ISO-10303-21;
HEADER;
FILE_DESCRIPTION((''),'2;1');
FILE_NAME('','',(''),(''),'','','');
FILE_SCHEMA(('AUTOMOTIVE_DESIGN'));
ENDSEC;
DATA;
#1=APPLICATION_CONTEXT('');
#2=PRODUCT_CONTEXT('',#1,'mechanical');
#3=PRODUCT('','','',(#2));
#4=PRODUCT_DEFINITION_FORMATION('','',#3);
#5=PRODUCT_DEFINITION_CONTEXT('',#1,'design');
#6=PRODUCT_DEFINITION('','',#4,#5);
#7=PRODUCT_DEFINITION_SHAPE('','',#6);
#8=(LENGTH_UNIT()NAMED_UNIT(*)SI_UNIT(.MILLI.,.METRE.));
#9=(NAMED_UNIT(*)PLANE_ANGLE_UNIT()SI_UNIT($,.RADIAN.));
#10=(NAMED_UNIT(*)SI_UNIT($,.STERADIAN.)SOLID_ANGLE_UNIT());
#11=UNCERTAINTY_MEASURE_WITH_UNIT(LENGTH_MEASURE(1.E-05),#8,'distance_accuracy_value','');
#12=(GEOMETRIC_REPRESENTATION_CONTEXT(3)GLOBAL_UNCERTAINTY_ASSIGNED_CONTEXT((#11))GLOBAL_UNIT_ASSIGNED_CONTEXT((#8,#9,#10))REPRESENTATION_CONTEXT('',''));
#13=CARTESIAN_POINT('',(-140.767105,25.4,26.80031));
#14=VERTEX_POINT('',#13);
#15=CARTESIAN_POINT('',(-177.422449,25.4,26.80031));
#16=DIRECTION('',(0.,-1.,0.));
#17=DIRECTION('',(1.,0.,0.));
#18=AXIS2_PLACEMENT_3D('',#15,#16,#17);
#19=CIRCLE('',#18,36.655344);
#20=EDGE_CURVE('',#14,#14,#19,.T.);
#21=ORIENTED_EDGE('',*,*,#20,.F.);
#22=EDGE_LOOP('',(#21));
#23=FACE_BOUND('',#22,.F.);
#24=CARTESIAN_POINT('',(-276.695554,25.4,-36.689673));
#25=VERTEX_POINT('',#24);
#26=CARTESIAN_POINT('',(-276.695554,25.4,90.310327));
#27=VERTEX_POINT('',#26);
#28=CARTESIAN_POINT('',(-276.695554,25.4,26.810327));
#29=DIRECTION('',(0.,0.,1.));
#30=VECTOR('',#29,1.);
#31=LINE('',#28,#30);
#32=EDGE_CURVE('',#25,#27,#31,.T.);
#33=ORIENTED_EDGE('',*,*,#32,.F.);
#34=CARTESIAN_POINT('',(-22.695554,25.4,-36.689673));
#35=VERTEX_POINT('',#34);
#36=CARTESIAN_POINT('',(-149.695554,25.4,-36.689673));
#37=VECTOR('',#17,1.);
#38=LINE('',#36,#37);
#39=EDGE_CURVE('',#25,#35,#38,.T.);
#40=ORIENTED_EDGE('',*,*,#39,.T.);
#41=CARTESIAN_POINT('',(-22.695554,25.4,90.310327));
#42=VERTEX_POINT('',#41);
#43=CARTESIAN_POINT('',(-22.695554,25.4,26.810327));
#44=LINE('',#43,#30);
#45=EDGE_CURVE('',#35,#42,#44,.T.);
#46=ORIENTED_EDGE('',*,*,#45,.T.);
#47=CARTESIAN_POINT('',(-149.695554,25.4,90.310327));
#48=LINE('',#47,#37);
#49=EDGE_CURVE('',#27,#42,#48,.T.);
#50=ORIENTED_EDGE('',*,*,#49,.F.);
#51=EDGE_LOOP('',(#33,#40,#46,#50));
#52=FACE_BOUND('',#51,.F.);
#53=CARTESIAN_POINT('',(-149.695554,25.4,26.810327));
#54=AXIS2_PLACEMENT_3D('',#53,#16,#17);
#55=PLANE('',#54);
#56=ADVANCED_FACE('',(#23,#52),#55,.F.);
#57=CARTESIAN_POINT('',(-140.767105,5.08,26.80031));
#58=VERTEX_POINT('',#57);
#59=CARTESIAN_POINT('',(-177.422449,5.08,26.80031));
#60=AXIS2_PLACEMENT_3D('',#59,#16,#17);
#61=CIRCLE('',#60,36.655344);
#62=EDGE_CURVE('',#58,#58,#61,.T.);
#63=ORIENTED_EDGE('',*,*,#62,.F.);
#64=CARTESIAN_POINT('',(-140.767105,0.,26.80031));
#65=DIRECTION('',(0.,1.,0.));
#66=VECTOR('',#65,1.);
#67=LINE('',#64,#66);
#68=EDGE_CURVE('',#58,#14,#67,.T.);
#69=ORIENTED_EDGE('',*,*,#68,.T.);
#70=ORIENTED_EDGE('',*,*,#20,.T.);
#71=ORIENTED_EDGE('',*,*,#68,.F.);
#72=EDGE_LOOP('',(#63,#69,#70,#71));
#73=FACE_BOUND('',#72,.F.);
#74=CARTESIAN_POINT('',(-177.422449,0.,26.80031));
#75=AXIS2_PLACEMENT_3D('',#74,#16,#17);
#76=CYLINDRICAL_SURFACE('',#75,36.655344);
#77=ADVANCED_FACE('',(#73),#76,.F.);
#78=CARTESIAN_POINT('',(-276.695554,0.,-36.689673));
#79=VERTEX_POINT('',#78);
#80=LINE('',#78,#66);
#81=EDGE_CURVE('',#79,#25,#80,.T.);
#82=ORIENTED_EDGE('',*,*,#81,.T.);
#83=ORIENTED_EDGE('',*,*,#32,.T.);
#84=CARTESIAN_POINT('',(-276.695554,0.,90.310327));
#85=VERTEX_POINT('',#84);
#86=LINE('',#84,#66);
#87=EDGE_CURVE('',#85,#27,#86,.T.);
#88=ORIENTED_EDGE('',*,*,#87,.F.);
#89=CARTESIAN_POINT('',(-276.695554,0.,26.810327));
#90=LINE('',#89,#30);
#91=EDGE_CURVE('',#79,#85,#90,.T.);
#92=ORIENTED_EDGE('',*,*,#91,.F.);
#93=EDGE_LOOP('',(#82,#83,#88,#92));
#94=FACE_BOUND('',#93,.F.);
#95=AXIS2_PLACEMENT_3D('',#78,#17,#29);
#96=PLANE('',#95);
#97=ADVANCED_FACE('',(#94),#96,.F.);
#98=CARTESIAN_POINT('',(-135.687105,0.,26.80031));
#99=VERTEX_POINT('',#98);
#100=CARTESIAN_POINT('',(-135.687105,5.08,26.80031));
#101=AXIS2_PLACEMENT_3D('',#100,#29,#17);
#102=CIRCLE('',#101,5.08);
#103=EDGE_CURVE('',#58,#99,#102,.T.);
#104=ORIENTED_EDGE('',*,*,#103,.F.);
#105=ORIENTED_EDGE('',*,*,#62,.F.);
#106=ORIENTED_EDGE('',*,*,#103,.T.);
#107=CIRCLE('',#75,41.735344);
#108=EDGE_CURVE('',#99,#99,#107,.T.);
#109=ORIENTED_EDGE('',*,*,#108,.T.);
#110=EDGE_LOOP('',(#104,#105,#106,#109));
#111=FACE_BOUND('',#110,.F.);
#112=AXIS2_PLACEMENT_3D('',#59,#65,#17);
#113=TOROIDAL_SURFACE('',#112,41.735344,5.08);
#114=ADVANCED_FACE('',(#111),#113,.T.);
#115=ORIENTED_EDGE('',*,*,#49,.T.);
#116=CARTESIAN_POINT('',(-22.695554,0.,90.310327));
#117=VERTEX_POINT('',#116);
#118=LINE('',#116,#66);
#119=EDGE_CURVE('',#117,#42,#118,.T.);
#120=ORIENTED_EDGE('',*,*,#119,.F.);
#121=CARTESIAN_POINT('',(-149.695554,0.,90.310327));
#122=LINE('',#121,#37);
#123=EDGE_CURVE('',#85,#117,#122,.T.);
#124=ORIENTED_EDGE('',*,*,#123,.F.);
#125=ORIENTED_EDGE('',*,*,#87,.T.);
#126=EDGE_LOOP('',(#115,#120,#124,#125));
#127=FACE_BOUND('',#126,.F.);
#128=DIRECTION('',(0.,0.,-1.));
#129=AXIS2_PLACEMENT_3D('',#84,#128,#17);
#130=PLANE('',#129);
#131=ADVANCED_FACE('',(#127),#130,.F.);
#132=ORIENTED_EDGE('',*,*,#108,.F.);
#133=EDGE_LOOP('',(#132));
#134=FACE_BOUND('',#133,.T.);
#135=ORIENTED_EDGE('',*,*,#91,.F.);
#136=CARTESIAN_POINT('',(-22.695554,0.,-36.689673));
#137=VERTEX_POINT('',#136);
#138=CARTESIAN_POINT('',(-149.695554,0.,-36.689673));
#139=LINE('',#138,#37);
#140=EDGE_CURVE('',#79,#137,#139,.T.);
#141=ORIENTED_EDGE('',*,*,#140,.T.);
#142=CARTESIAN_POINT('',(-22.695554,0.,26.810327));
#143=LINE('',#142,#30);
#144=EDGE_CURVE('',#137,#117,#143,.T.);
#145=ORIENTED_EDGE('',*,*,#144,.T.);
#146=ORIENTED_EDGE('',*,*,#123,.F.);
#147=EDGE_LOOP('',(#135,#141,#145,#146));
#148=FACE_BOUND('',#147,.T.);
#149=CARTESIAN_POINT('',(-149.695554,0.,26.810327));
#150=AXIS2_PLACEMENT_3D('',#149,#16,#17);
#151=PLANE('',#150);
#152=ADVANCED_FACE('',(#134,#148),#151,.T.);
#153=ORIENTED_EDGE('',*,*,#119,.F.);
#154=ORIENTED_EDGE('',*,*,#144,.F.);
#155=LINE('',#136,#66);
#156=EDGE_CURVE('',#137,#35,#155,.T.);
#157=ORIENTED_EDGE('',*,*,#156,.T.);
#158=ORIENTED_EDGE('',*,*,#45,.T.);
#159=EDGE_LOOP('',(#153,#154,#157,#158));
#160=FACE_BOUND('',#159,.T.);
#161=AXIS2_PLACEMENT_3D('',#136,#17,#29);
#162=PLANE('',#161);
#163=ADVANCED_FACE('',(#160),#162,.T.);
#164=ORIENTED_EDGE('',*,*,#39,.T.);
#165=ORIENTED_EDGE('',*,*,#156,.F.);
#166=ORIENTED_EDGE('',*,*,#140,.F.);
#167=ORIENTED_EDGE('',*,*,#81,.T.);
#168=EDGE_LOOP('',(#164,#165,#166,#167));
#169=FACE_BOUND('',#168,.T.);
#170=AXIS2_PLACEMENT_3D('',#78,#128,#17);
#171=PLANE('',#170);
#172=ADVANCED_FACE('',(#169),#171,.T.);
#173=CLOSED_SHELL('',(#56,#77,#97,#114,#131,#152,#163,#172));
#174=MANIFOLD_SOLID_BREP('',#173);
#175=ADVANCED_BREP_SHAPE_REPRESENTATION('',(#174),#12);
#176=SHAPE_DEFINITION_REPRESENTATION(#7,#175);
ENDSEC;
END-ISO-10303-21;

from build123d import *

# Parameters (mm, degrees)
F0_W     = 254
F0_H     = 127
F0_R     = 36.655344
F1_DEPTH = 25.4
F2_R     = 5.08


with BuildPart() as f1:
    # F0 (on Front) → F1 (new body)
    with BuildSketch(Plane.XZ):
        with Locations((-149.695554, 26.810327)):
            Rectangle(F0_W, F0_H)
        with Locations((-177.422449, 26.80031)):
            Circle(F0_R, mode=Mode.SUBTRACT)
    extrude(amount=-F1_DEPTH)

    # F2
    f2_edges = [f1.edges().sort_by_distance(p)[0] for p in [
        (-214.077793, 0, 26.80031),
    ]]
    fillet(f2_edges, radius=F2_R)


solid = f1.part
